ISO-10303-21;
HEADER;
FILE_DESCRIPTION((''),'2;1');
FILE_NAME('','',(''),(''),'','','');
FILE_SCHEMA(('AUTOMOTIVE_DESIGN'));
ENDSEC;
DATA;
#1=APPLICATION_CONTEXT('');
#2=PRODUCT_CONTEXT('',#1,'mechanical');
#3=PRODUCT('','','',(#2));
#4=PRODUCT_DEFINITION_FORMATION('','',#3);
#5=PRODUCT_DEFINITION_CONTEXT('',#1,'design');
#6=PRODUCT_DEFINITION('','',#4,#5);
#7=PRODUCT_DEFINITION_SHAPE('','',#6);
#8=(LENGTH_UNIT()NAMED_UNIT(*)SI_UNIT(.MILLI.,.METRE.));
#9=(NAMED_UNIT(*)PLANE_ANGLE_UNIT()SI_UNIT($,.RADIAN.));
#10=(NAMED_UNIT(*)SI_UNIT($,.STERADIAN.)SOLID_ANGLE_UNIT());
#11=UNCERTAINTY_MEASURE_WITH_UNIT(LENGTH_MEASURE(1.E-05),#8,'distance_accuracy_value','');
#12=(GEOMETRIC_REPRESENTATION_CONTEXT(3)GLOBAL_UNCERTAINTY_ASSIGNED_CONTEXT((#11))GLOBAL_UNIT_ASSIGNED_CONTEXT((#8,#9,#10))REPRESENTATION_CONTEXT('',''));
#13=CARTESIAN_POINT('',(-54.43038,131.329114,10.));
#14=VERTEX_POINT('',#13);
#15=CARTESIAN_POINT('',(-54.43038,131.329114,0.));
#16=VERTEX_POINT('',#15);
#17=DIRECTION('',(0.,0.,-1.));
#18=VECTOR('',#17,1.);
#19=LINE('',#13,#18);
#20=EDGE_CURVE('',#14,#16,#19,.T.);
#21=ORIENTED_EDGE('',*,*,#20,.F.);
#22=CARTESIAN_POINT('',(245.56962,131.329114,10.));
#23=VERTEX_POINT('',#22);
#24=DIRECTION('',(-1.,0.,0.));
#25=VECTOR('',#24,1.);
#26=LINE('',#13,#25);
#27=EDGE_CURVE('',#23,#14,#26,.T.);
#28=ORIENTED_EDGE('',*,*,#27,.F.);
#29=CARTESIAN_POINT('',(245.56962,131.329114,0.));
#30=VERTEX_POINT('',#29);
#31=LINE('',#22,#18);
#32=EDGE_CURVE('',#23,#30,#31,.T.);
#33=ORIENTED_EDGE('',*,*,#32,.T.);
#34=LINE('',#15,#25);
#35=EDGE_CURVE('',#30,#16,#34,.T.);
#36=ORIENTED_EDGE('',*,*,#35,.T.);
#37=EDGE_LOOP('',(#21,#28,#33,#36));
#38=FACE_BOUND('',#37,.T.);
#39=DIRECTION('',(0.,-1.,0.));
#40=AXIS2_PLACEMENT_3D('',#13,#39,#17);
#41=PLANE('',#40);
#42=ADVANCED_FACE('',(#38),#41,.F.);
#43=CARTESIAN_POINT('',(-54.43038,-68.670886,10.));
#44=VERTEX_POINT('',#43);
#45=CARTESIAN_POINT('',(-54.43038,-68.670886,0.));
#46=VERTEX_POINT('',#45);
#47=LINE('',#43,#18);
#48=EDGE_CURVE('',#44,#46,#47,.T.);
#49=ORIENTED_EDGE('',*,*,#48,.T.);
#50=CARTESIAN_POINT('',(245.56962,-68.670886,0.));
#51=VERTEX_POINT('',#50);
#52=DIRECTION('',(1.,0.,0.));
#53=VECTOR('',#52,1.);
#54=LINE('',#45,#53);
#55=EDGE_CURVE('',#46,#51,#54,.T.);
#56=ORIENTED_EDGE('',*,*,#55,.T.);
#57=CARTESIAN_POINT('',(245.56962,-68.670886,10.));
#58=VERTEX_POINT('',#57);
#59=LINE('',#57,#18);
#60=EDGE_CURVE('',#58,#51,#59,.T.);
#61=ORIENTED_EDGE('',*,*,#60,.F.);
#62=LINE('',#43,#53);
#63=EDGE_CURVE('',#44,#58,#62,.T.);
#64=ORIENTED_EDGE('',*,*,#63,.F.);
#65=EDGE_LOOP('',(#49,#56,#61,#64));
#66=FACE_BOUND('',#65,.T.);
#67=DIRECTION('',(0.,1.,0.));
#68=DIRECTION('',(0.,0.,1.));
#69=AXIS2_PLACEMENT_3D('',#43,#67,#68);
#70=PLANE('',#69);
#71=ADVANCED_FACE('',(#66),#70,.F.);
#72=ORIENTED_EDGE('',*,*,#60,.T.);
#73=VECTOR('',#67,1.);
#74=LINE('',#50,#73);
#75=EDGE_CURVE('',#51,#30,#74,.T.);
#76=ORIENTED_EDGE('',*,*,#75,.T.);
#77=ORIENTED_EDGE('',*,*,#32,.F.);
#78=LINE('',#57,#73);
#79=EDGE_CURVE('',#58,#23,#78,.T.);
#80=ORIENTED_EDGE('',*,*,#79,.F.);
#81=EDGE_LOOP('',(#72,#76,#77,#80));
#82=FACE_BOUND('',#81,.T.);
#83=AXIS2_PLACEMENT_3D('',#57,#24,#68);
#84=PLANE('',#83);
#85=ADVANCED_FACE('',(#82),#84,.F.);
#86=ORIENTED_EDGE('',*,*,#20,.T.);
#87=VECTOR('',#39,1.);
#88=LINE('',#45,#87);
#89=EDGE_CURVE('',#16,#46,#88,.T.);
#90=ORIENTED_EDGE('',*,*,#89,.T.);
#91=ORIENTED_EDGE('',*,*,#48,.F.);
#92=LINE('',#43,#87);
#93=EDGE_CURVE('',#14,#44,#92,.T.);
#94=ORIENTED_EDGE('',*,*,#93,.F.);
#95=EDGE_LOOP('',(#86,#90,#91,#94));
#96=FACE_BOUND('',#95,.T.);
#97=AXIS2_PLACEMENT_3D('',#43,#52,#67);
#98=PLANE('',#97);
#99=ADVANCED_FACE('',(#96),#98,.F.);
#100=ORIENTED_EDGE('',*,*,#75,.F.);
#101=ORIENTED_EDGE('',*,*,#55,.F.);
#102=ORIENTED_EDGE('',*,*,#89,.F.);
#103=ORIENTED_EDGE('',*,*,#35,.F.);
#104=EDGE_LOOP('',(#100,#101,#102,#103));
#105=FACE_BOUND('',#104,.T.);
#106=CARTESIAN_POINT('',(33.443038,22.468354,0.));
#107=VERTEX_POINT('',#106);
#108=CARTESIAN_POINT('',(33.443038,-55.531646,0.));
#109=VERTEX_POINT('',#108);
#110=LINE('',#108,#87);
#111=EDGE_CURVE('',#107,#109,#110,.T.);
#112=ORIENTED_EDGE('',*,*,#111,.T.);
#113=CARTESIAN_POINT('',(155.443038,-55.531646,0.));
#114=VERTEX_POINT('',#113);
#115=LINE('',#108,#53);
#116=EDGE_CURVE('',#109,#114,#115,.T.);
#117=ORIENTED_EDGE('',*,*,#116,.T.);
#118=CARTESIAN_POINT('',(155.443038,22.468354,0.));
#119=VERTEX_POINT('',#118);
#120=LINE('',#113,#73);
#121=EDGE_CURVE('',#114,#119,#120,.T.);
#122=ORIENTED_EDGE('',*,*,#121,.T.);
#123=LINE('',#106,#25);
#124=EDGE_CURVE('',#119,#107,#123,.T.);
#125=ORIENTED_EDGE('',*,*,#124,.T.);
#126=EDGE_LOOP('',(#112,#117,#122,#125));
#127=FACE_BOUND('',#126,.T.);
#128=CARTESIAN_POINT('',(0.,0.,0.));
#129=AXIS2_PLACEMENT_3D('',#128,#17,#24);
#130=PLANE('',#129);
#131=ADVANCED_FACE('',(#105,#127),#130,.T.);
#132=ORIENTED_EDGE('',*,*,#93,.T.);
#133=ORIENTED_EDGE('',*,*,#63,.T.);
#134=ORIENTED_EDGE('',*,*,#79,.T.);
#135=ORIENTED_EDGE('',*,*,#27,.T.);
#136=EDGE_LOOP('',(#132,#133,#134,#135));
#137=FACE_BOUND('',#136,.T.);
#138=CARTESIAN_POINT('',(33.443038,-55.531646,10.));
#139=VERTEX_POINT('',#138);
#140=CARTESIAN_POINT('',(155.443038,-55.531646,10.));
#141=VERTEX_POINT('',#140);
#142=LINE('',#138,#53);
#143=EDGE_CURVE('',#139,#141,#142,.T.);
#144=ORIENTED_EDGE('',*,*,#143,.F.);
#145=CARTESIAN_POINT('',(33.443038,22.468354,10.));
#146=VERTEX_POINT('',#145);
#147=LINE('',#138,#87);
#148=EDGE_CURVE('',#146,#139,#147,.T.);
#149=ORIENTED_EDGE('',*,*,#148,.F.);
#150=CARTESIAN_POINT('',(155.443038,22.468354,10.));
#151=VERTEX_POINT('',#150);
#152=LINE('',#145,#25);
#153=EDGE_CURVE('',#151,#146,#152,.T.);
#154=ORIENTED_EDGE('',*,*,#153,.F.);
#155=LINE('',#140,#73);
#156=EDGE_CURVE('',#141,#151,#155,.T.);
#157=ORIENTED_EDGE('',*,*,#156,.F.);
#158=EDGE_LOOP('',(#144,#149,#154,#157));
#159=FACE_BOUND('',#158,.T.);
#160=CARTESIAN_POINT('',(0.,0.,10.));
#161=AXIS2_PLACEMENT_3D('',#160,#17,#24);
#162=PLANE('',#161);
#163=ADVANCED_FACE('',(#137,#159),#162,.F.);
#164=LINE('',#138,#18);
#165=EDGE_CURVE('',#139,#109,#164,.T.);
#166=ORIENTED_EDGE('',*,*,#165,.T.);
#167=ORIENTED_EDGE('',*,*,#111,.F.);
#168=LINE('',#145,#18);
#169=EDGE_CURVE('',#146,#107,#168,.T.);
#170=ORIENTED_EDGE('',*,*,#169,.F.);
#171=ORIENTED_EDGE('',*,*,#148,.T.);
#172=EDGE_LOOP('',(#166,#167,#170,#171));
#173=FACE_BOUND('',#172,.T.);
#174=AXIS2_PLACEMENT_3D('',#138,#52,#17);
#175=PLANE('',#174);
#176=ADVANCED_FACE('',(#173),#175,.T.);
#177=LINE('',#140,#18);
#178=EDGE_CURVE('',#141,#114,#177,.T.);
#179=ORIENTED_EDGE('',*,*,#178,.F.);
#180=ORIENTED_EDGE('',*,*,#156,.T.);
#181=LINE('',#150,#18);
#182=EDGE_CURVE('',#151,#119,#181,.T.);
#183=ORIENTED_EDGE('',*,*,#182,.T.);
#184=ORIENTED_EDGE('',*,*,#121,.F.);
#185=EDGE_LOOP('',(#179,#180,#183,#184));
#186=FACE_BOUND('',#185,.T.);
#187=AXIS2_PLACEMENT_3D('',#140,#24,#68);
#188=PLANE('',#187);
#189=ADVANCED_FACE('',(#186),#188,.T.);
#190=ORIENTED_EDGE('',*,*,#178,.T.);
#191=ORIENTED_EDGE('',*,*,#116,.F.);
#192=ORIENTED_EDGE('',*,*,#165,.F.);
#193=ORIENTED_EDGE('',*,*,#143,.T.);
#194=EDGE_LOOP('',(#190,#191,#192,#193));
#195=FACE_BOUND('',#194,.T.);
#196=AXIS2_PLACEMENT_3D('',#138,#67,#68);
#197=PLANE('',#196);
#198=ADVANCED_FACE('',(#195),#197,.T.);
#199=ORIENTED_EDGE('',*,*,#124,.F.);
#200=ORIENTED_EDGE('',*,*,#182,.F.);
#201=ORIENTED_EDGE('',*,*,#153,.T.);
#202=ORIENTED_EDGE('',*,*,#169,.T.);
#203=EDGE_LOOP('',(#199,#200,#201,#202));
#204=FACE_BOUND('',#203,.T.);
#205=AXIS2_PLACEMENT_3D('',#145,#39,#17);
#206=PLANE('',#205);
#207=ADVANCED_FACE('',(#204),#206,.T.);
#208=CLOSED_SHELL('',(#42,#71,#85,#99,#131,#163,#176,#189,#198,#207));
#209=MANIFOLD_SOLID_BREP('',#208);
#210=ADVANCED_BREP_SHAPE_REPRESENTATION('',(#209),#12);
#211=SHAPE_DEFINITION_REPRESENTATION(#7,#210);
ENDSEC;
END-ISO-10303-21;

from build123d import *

# Parameters (mm, degrees)
SKETCH1_W           = 300
SKETCH1_H           = 200
SKETCH1_W_2         = 122
SKETCH1_H_2         = 78
BOSS_EXTRUDE1_DEPTH = 10


with BuildPart() as part:
    # Sketch1 → Boss-Extrude1 (new body)
    with BuildSketch(Plane.XY):
        with Locations((95.569620253, 31.329113924)):
            Rectangle(SKETCH1_W, SKETCH1_H)
        with Locations((94.443037975, -16.53164557)):
            Rectangle(SKETCH1_W_2, SKETCH1_H_2, mode=Mode.SUBTRACT)
    extrude(amount=BOSS_EXTRUDE1_DEPTH)


solid = part.part
